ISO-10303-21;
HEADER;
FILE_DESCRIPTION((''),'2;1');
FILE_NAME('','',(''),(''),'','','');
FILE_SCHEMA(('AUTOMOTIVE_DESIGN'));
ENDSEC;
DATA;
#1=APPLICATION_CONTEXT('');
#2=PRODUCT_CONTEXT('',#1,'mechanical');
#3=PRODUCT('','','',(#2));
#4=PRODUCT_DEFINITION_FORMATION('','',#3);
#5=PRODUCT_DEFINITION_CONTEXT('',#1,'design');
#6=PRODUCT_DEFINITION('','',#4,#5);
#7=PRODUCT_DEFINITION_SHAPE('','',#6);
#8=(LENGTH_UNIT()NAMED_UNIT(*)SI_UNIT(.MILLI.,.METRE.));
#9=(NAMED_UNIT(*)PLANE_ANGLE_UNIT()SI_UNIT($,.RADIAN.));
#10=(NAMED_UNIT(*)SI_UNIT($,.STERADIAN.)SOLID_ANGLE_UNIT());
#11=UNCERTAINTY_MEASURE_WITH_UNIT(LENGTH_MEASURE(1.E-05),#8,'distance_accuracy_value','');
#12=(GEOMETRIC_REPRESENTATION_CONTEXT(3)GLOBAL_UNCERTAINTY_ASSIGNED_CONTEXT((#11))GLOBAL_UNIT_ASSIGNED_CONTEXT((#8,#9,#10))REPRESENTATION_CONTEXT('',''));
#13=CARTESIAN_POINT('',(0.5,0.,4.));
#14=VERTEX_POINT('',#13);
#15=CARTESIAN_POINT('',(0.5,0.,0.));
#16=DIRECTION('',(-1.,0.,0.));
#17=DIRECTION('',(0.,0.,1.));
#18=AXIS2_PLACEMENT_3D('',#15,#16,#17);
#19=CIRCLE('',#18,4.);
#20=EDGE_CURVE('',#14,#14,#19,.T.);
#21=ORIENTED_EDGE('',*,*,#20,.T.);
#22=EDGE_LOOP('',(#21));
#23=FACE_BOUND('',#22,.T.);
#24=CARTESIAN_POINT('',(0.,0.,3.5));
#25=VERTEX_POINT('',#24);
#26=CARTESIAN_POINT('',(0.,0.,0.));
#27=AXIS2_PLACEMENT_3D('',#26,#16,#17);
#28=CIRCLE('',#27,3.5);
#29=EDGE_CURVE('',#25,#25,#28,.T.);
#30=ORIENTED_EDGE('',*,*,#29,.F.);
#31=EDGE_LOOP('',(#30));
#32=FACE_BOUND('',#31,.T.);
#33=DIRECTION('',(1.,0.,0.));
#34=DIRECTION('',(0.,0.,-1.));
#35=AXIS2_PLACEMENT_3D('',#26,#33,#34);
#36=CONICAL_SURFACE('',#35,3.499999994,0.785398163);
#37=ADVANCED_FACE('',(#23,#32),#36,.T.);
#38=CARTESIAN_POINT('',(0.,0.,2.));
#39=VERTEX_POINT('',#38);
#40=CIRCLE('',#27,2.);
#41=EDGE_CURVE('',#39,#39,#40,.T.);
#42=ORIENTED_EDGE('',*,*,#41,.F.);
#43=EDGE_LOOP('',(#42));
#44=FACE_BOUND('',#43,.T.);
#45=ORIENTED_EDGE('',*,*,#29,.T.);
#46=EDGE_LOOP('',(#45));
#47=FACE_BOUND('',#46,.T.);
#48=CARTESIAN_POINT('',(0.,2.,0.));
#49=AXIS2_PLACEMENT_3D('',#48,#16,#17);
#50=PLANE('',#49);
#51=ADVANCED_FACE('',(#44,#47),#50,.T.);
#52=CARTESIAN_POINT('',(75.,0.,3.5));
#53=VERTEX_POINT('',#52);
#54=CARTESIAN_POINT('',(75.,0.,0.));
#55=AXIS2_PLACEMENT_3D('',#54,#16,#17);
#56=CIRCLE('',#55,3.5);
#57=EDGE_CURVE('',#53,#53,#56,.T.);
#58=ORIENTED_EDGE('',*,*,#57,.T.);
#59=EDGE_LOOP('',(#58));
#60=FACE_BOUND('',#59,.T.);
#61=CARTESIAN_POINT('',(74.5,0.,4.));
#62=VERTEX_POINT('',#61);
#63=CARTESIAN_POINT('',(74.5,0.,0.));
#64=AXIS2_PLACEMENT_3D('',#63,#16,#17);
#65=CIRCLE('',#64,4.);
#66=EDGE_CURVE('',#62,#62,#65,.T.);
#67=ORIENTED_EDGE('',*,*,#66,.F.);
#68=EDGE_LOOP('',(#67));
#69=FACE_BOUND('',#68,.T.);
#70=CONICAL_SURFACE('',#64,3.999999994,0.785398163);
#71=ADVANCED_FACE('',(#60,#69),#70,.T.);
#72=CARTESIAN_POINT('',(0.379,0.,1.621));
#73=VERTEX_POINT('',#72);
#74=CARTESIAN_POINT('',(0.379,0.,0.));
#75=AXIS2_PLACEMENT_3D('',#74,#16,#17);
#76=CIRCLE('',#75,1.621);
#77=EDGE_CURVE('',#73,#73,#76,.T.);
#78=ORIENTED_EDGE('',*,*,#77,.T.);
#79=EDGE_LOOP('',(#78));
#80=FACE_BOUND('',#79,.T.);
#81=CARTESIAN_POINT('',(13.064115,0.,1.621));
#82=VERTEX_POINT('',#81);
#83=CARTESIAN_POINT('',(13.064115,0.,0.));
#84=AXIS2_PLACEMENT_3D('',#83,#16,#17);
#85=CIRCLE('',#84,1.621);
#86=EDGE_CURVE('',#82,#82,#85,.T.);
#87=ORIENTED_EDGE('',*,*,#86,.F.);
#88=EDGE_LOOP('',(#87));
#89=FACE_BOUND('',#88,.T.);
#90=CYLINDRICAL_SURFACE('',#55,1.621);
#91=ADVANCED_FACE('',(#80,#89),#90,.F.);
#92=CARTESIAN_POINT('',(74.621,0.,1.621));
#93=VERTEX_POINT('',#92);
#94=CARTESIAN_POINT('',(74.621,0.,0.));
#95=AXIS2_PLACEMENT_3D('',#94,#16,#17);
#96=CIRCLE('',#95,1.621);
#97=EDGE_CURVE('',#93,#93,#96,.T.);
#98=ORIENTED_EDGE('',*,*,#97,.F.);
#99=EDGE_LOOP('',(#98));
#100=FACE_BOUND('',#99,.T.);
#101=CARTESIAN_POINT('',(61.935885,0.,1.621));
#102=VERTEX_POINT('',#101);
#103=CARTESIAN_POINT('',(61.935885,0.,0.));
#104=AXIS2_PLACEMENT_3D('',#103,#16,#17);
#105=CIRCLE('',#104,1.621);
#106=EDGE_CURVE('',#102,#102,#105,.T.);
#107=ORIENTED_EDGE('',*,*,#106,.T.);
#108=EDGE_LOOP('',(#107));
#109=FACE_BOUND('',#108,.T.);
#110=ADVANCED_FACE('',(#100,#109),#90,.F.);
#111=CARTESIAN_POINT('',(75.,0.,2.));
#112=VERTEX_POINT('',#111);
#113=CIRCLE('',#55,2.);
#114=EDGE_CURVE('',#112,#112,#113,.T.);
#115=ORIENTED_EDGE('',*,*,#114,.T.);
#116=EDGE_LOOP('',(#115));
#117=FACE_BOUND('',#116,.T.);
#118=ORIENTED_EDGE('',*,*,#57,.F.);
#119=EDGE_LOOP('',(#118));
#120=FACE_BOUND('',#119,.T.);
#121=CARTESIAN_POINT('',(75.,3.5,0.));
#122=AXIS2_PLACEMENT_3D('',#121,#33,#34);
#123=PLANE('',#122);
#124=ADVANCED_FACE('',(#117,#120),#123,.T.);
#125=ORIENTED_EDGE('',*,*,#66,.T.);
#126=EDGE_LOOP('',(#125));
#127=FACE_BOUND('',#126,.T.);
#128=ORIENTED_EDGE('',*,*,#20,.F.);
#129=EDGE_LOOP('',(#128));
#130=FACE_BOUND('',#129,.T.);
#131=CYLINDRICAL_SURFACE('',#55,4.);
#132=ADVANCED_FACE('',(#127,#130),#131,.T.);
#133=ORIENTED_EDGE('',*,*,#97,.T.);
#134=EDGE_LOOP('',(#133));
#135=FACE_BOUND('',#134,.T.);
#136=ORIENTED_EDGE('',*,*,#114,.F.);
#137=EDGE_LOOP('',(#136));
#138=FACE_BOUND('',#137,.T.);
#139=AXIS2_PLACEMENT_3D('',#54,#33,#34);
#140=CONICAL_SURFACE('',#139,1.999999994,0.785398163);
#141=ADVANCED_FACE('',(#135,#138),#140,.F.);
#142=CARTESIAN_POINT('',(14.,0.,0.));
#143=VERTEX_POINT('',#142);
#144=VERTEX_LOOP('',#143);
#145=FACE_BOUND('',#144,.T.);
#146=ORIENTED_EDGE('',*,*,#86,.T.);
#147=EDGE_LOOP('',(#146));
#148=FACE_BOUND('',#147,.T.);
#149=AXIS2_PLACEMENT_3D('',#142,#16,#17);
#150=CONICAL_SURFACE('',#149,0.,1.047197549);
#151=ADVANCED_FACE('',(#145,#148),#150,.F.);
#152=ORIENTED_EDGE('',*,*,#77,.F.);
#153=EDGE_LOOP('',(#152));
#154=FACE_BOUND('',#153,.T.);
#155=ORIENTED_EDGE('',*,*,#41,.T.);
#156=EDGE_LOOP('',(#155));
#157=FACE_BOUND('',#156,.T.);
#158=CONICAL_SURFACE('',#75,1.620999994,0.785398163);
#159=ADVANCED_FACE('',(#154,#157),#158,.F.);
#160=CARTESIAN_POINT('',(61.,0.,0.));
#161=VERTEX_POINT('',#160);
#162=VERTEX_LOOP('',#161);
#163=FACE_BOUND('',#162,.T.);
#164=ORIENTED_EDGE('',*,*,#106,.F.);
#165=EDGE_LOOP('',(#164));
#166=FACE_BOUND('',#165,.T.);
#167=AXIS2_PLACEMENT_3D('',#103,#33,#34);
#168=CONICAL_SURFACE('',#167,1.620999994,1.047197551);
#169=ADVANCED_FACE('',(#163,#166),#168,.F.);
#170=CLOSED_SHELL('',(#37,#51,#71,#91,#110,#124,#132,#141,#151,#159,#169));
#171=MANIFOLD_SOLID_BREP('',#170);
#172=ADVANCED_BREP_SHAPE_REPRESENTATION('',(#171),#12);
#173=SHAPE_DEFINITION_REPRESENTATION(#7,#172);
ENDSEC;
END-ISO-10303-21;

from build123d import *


with BuildPart() as part:
    # Sketch1 → Revolve1 (revolve)
    with BuildSketch(Plane(origin=(0, 0, 0), x_dir=(-1, 0, 0), z_dir=(0, 0, -1))):
        Polygon((-61.935884786, 1.621), (-61.000000004, 6e-09), (-14, 6e-09), (-13.064115214, 1.621), (-0.379, 1.621), (0, 2), (0, 3.5), (-0.5, 4), (-74.5, 4), (-75, 3.5), (-75, 2), (-74.621, 1.621), align=None)
    revolve(axis=Axis((75, 6e-09, 0), (-1, 0, 0)))


solid = part.part
